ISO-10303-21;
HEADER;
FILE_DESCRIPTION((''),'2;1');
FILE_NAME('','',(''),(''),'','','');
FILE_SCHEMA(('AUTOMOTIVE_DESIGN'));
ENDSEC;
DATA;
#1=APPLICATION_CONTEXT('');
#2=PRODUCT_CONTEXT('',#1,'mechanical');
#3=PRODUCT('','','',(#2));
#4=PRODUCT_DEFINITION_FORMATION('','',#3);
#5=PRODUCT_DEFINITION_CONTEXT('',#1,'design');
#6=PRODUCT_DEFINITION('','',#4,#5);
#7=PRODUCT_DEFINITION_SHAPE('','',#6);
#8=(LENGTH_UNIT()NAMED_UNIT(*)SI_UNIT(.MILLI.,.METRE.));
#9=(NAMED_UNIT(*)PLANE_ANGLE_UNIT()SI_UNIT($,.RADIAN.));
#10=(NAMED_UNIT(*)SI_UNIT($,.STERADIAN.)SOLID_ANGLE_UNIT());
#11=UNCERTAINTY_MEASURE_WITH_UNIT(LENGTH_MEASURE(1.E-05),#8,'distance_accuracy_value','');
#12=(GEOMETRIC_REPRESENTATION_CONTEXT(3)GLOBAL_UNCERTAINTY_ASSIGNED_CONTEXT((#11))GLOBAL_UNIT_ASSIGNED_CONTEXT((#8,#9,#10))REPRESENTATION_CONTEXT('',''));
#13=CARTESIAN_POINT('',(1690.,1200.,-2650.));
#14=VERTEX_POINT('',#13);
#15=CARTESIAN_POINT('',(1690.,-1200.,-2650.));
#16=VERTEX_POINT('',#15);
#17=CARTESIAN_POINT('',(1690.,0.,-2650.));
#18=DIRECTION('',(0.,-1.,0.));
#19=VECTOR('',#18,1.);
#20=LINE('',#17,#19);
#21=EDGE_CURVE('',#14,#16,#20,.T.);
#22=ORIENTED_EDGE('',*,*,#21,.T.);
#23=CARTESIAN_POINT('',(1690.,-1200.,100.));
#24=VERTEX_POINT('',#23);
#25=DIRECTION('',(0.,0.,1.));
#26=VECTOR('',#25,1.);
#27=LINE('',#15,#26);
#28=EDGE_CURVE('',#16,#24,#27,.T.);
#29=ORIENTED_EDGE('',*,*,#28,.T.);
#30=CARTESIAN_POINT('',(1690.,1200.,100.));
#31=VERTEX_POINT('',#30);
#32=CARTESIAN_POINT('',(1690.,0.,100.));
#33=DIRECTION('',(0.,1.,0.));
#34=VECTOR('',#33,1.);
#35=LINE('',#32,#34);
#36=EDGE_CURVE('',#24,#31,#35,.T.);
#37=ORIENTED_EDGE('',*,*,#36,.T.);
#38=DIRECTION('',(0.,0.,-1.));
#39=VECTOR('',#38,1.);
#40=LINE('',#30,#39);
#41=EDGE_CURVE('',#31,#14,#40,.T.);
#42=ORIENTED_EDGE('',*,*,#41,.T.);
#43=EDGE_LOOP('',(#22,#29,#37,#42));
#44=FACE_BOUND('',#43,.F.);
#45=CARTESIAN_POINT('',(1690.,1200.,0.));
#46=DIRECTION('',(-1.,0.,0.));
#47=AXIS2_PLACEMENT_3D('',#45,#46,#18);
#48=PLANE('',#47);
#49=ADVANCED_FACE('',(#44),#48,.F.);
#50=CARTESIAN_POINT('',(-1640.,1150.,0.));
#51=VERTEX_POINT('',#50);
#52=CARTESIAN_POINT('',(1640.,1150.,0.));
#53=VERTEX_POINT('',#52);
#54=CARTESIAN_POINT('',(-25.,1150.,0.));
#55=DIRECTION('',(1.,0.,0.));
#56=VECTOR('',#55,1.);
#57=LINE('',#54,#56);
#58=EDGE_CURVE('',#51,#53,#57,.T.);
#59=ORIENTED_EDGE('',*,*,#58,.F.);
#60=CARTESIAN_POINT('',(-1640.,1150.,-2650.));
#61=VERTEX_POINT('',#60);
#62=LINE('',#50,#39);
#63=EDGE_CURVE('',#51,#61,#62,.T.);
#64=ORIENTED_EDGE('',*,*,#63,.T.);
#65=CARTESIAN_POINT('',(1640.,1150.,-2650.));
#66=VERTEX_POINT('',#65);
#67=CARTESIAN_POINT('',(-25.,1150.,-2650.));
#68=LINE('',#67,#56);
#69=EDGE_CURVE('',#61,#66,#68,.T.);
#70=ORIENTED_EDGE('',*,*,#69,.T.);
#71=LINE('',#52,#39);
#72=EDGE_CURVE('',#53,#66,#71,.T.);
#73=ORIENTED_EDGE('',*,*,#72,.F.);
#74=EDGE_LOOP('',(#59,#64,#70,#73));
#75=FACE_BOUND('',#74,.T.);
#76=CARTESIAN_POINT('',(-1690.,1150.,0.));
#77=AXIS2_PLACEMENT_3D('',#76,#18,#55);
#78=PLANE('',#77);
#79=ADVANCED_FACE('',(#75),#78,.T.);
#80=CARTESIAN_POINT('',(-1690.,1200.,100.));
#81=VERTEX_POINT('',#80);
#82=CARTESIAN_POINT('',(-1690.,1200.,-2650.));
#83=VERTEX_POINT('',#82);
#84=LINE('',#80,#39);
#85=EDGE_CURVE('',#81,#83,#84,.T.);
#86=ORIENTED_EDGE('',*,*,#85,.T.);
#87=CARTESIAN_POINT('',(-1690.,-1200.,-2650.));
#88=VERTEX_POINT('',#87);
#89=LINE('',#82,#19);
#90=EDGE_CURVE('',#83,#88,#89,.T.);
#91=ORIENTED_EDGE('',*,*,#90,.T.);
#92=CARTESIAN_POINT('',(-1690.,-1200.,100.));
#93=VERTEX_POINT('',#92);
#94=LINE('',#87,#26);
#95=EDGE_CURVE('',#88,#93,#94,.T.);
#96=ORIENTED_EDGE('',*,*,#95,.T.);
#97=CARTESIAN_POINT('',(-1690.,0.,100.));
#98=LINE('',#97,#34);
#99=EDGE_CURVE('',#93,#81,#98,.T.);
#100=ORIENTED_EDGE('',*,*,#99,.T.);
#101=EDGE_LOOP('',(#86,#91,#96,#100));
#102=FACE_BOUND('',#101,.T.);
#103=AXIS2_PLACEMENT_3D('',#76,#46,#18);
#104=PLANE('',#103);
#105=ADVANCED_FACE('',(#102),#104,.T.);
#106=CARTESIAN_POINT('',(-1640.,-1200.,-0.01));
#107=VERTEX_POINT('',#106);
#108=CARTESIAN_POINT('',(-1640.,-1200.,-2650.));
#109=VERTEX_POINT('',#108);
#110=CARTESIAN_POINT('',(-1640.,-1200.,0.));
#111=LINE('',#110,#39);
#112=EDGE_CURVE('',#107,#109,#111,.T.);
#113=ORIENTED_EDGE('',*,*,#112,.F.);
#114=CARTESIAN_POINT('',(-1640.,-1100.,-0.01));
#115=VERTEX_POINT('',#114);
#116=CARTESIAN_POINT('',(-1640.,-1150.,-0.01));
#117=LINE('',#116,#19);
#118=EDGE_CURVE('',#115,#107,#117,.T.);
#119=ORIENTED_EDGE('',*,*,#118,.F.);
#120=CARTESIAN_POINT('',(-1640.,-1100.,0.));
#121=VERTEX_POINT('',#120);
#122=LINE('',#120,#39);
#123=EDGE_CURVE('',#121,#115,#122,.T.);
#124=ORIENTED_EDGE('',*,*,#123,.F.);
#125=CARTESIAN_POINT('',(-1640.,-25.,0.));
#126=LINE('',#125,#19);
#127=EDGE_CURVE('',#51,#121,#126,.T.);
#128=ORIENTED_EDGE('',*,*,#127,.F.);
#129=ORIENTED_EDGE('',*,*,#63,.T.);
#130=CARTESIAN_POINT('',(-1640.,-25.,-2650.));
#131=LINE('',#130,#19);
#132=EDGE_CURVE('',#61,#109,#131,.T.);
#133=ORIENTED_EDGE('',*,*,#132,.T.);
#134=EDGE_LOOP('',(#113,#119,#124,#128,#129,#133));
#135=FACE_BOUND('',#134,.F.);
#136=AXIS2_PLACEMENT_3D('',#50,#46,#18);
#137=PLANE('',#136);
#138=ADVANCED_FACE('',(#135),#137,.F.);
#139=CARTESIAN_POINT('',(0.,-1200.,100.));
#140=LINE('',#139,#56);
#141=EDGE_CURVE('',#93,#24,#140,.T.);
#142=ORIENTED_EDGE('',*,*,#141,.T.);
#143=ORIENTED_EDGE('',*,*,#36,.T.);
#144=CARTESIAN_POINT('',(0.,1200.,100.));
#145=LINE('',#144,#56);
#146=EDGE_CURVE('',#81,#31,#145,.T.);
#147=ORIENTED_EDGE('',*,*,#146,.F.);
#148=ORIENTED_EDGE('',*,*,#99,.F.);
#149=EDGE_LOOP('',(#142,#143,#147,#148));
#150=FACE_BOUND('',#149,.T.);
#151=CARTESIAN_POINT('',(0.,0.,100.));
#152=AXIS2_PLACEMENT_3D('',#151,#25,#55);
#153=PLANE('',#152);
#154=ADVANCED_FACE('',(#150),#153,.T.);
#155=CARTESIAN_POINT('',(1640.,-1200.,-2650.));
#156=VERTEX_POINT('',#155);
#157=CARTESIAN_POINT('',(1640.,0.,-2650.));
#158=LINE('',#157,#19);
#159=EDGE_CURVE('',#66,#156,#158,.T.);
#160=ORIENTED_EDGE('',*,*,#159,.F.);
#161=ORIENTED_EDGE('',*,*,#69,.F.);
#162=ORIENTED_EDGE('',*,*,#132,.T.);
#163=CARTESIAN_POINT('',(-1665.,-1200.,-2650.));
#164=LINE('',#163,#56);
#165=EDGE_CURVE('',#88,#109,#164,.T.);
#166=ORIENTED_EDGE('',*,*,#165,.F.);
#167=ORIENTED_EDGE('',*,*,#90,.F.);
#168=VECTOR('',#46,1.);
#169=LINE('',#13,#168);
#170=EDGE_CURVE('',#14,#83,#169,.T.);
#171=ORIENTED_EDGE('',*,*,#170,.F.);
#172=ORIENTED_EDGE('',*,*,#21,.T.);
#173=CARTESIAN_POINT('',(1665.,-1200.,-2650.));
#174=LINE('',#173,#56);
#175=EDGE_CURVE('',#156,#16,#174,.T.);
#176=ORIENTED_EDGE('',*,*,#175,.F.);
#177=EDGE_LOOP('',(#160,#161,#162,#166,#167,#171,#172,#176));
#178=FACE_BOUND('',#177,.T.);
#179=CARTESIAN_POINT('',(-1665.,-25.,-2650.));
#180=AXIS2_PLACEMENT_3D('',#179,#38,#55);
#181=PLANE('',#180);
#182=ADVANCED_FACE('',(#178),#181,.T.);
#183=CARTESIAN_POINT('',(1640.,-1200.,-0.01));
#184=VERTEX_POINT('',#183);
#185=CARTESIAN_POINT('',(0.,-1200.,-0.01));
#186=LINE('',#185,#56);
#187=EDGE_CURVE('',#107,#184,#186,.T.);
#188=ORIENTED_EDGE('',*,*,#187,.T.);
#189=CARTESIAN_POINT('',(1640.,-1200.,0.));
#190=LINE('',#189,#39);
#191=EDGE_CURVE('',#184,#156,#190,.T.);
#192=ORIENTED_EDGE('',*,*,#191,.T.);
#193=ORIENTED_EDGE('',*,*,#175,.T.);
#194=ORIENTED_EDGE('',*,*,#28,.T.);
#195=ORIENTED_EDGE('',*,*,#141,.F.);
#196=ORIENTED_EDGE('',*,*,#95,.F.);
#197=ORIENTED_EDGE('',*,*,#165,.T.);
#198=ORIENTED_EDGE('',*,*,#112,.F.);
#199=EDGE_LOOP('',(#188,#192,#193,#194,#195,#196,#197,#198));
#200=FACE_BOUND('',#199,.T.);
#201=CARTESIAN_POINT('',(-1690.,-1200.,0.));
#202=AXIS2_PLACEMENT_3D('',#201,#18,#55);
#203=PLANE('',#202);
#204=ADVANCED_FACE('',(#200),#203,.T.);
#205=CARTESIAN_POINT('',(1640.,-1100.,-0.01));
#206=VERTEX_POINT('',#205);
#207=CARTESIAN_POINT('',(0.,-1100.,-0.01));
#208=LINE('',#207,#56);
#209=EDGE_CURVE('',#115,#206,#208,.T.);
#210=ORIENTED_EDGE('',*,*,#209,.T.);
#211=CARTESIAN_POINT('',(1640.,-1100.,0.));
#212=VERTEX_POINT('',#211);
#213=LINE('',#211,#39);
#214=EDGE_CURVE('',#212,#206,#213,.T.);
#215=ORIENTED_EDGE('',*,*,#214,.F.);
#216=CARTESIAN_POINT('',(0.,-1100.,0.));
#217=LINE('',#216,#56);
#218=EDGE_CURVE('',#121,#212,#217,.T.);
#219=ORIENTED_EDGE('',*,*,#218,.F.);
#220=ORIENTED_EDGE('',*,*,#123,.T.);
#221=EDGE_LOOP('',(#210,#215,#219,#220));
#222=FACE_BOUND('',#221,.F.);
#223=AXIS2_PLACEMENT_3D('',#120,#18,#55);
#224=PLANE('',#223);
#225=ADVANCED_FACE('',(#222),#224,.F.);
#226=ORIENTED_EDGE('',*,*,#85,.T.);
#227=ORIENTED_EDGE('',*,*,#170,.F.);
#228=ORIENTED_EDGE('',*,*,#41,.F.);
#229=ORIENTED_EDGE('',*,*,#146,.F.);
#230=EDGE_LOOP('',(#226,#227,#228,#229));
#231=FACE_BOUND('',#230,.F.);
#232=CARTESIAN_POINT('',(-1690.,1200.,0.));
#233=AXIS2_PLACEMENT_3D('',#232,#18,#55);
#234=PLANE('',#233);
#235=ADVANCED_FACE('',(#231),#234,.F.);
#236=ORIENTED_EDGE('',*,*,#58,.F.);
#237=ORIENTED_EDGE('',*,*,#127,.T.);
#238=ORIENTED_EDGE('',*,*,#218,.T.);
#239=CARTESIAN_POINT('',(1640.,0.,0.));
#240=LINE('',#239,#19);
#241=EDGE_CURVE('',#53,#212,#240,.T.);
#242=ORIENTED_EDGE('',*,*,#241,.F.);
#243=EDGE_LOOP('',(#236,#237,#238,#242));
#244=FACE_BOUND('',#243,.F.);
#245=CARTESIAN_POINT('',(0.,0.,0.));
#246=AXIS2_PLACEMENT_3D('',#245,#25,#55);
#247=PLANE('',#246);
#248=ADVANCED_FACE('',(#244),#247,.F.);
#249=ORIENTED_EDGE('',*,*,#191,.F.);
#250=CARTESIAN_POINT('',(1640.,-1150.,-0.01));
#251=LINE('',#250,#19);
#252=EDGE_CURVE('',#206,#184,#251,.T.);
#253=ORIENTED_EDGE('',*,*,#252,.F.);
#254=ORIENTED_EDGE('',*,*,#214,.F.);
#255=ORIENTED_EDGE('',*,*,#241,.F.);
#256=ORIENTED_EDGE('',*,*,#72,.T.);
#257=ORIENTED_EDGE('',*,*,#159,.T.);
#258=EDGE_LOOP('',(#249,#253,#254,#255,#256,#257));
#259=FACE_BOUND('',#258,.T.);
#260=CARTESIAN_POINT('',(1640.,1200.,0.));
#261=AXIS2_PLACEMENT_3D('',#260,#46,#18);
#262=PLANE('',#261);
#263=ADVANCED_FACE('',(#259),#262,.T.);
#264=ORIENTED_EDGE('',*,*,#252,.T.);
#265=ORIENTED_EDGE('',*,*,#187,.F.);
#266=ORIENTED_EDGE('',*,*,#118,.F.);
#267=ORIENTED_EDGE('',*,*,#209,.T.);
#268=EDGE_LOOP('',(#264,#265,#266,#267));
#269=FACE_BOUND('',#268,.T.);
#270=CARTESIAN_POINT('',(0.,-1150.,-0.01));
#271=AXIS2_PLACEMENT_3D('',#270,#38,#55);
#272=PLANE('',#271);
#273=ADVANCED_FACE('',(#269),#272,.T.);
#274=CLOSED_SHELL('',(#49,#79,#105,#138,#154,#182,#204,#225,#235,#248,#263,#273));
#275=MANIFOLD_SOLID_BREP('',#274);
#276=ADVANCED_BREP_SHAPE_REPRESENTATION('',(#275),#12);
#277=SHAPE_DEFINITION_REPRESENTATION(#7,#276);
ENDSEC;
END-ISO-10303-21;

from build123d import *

# Parameters (mm, degrees)
F0_W      = 3380
F0_H      = 2400
F1_DEPTH  = 100
F2_W      = 50
F2_H      = 2400
F3_DEPTH  = 2650
F4_W      = 3330
F4_H      = 50
F5_DEPTH  = 2650
F6_W      = 50
F6_H      = 2350
F8_DEPTH  = 2650
F9_W      = 3280
F9_H      = 100
F10_DEPTH = 0.01


with BuildPart() as f1:
    # F0 (on Top) → F1 (new body)
    with BuildSketch(Plane.XY):
        Rectangle(F0_W, F0_H)
    extrude(amount=F1_DEPTH)

    # F2 (on face) → F3 (join)
    with BuildSketch(Plane(origin=(0, 0, 0), x_dir=(1, 0, 0), z_dir=(0, 0, -1))):
        with Locations((1665, 0)):
            Rectangle(F2_W, F2_H)
    extrude(amount=F3_DEPTH)

    # F4 (on face) → F5 (join)
    with BuildSketch(Plane(origin=(0, 0, 0), x_dir=(1, 0, 0), z_dir=(0, 0, -1))):
        with Locations((-25, -1175)):
            Rectangle(F4_W, F4_H)
    extrude(amount=F5_DEPTH)

    # F6 (on face) → F8 (join)
    with BuildSketch(Plane(origin=(0, 0, 0), x_dir=(1, 0, 0), z_dir=(0, 0, -1))):
        with Locations((-1665, 25)):
            Rectangle(F6_W, F6_H)
    extrude(amount=F8_DEPTH)

    # F9 (on face) → F10 (join)
    with BuildSketch(Plane(origin=(0, 0, 0), x_dir=(1, 0, 0), z_dir=(0, 0, -1))):
        with Locations((0, 1150)):
            Rectangle(F9_W, F9_H)
    extrude(amount=F10_DEPTH)


solid = f1.part
